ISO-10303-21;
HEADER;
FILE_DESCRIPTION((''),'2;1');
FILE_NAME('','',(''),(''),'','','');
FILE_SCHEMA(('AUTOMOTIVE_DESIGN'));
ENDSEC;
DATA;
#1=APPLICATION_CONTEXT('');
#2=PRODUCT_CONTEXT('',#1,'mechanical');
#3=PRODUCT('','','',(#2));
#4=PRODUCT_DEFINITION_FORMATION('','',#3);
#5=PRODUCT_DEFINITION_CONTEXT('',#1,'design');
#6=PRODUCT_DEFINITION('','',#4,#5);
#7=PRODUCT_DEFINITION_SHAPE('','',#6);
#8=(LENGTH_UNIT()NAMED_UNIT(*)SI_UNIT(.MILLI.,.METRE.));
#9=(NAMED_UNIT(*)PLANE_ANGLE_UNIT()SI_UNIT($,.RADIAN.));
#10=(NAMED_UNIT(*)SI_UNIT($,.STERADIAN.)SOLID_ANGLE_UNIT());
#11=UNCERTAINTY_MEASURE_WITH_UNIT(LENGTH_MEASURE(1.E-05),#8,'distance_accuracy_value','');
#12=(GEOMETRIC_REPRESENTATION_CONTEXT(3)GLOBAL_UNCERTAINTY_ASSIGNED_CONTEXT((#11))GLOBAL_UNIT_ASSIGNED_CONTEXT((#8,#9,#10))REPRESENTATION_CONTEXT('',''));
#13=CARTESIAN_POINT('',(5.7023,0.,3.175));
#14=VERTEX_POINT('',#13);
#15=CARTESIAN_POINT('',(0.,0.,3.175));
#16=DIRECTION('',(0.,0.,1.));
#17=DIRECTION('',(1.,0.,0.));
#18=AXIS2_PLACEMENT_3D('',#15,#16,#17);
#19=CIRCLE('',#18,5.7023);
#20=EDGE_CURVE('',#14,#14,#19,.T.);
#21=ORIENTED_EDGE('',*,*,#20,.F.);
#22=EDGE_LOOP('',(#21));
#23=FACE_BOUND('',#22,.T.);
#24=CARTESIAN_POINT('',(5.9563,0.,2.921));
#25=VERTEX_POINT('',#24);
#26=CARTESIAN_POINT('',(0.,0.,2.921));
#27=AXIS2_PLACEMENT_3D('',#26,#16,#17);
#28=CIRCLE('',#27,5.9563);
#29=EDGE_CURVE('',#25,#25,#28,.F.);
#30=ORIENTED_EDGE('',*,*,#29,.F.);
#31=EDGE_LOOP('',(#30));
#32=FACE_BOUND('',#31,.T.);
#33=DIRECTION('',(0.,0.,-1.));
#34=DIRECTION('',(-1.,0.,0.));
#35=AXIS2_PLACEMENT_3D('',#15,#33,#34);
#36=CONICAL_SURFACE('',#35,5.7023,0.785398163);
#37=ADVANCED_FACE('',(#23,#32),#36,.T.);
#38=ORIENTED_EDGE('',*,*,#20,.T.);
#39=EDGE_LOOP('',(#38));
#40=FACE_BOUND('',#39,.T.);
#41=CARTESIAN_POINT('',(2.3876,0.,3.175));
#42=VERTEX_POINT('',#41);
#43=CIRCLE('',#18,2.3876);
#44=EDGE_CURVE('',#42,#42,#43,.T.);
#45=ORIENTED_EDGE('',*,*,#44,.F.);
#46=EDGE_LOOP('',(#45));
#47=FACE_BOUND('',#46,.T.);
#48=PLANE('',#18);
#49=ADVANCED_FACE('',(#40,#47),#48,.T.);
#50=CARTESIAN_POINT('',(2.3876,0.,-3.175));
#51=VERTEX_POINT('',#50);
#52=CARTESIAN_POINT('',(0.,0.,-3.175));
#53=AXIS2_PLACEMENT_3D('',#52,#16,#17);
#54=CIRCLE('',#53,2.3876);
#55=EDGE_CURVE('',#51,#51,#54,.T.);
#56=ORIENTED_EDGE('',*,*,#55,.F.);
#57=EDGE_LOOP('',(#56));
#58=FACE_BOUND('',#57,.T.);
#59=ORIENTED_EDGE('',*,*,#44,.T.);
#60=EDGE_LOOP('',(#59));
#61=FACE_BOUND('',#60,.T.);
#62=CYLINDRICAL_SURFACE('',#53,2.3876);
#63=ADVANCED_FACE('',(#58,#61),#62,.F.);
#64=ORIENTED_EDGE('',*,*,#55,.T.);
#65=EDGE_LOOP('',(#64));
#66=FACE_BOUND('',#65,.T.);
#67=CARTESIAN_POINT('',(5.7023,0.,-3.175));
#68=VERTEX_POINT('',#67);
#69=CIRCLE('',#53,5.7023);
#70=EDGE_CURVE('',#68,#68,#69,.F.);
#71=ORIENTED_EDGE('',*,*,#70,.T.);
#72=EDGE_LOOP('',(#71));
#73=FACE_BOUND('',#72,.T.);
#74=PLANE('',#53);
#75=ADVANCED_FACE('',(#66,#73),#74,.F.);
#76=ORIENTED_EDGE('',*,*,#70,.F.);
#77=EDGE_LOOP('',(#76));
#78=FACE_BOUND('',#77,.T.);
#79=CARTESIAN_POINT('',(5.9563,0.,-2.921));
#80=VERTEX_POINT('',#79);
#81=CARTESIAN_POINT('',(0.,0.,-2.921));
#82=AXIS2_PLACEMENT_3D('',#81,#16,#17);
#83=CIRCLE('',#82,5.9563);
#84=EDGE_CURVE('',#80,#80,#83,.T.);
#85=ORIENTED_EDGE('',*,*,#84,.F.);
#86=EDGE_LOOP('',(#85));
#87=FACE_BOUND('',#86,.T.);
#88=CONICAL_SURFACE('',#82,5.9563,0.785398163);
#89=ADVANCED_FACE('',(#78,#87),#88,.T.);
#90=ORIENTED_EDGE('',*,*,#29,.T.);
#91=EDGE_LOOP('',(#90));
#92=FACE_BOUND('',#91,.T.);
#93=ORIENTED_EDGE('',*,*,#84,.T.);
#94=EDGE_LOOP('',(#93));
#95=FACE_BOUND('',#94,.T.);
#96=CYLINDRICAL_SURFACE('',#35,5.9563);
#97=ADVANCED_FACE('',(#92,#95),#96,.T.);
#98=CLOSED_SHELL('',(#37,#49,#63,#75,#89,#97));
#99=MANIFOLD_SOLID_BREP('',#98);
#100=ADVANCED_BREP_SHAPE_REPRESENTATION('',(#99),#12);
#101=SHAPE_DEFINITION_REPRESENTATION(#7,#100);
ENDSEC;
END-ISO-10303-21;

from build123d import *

# Parameters (mm, degrees)
SKETCH1_R      = 5.9563
EXTRUDE1_DEPTH = 3.175
SKETCH2_R      = 2.3876
EXTRUDE2_DEPTH = 11.548816018
CHAMFER1_SIZE  = 0.254


with BuildPart() as part:
    # Sketch1 → Extrude1 (new, symmetric)
    with BuildSketch(Plane.XY):
        Circle(SKETCH1_R)
    extrude(amount=EXTRUDE1_DEPTH, both=True)

    # Sketch2 → Extrude2 (cut, through all)
    with BuildSketch(Plane.XY.offset(3.175)):
        Circle(SKETCH2_R)
    extrude(amount=-EXTRUDE2_DEPTH, mode=Mode.SUBTRACT)

    # Chamfer1
    chamfer1_edges = [part.edges().sort_by_distance(p)[0] for p in [
        (-5.9563, 0, -3.175),
        (-5.9563, 0, 3.175),
    ]]
    chamfer(chamfer1_edges, length=CHAMFER1_SIZE)


solid = part.part
